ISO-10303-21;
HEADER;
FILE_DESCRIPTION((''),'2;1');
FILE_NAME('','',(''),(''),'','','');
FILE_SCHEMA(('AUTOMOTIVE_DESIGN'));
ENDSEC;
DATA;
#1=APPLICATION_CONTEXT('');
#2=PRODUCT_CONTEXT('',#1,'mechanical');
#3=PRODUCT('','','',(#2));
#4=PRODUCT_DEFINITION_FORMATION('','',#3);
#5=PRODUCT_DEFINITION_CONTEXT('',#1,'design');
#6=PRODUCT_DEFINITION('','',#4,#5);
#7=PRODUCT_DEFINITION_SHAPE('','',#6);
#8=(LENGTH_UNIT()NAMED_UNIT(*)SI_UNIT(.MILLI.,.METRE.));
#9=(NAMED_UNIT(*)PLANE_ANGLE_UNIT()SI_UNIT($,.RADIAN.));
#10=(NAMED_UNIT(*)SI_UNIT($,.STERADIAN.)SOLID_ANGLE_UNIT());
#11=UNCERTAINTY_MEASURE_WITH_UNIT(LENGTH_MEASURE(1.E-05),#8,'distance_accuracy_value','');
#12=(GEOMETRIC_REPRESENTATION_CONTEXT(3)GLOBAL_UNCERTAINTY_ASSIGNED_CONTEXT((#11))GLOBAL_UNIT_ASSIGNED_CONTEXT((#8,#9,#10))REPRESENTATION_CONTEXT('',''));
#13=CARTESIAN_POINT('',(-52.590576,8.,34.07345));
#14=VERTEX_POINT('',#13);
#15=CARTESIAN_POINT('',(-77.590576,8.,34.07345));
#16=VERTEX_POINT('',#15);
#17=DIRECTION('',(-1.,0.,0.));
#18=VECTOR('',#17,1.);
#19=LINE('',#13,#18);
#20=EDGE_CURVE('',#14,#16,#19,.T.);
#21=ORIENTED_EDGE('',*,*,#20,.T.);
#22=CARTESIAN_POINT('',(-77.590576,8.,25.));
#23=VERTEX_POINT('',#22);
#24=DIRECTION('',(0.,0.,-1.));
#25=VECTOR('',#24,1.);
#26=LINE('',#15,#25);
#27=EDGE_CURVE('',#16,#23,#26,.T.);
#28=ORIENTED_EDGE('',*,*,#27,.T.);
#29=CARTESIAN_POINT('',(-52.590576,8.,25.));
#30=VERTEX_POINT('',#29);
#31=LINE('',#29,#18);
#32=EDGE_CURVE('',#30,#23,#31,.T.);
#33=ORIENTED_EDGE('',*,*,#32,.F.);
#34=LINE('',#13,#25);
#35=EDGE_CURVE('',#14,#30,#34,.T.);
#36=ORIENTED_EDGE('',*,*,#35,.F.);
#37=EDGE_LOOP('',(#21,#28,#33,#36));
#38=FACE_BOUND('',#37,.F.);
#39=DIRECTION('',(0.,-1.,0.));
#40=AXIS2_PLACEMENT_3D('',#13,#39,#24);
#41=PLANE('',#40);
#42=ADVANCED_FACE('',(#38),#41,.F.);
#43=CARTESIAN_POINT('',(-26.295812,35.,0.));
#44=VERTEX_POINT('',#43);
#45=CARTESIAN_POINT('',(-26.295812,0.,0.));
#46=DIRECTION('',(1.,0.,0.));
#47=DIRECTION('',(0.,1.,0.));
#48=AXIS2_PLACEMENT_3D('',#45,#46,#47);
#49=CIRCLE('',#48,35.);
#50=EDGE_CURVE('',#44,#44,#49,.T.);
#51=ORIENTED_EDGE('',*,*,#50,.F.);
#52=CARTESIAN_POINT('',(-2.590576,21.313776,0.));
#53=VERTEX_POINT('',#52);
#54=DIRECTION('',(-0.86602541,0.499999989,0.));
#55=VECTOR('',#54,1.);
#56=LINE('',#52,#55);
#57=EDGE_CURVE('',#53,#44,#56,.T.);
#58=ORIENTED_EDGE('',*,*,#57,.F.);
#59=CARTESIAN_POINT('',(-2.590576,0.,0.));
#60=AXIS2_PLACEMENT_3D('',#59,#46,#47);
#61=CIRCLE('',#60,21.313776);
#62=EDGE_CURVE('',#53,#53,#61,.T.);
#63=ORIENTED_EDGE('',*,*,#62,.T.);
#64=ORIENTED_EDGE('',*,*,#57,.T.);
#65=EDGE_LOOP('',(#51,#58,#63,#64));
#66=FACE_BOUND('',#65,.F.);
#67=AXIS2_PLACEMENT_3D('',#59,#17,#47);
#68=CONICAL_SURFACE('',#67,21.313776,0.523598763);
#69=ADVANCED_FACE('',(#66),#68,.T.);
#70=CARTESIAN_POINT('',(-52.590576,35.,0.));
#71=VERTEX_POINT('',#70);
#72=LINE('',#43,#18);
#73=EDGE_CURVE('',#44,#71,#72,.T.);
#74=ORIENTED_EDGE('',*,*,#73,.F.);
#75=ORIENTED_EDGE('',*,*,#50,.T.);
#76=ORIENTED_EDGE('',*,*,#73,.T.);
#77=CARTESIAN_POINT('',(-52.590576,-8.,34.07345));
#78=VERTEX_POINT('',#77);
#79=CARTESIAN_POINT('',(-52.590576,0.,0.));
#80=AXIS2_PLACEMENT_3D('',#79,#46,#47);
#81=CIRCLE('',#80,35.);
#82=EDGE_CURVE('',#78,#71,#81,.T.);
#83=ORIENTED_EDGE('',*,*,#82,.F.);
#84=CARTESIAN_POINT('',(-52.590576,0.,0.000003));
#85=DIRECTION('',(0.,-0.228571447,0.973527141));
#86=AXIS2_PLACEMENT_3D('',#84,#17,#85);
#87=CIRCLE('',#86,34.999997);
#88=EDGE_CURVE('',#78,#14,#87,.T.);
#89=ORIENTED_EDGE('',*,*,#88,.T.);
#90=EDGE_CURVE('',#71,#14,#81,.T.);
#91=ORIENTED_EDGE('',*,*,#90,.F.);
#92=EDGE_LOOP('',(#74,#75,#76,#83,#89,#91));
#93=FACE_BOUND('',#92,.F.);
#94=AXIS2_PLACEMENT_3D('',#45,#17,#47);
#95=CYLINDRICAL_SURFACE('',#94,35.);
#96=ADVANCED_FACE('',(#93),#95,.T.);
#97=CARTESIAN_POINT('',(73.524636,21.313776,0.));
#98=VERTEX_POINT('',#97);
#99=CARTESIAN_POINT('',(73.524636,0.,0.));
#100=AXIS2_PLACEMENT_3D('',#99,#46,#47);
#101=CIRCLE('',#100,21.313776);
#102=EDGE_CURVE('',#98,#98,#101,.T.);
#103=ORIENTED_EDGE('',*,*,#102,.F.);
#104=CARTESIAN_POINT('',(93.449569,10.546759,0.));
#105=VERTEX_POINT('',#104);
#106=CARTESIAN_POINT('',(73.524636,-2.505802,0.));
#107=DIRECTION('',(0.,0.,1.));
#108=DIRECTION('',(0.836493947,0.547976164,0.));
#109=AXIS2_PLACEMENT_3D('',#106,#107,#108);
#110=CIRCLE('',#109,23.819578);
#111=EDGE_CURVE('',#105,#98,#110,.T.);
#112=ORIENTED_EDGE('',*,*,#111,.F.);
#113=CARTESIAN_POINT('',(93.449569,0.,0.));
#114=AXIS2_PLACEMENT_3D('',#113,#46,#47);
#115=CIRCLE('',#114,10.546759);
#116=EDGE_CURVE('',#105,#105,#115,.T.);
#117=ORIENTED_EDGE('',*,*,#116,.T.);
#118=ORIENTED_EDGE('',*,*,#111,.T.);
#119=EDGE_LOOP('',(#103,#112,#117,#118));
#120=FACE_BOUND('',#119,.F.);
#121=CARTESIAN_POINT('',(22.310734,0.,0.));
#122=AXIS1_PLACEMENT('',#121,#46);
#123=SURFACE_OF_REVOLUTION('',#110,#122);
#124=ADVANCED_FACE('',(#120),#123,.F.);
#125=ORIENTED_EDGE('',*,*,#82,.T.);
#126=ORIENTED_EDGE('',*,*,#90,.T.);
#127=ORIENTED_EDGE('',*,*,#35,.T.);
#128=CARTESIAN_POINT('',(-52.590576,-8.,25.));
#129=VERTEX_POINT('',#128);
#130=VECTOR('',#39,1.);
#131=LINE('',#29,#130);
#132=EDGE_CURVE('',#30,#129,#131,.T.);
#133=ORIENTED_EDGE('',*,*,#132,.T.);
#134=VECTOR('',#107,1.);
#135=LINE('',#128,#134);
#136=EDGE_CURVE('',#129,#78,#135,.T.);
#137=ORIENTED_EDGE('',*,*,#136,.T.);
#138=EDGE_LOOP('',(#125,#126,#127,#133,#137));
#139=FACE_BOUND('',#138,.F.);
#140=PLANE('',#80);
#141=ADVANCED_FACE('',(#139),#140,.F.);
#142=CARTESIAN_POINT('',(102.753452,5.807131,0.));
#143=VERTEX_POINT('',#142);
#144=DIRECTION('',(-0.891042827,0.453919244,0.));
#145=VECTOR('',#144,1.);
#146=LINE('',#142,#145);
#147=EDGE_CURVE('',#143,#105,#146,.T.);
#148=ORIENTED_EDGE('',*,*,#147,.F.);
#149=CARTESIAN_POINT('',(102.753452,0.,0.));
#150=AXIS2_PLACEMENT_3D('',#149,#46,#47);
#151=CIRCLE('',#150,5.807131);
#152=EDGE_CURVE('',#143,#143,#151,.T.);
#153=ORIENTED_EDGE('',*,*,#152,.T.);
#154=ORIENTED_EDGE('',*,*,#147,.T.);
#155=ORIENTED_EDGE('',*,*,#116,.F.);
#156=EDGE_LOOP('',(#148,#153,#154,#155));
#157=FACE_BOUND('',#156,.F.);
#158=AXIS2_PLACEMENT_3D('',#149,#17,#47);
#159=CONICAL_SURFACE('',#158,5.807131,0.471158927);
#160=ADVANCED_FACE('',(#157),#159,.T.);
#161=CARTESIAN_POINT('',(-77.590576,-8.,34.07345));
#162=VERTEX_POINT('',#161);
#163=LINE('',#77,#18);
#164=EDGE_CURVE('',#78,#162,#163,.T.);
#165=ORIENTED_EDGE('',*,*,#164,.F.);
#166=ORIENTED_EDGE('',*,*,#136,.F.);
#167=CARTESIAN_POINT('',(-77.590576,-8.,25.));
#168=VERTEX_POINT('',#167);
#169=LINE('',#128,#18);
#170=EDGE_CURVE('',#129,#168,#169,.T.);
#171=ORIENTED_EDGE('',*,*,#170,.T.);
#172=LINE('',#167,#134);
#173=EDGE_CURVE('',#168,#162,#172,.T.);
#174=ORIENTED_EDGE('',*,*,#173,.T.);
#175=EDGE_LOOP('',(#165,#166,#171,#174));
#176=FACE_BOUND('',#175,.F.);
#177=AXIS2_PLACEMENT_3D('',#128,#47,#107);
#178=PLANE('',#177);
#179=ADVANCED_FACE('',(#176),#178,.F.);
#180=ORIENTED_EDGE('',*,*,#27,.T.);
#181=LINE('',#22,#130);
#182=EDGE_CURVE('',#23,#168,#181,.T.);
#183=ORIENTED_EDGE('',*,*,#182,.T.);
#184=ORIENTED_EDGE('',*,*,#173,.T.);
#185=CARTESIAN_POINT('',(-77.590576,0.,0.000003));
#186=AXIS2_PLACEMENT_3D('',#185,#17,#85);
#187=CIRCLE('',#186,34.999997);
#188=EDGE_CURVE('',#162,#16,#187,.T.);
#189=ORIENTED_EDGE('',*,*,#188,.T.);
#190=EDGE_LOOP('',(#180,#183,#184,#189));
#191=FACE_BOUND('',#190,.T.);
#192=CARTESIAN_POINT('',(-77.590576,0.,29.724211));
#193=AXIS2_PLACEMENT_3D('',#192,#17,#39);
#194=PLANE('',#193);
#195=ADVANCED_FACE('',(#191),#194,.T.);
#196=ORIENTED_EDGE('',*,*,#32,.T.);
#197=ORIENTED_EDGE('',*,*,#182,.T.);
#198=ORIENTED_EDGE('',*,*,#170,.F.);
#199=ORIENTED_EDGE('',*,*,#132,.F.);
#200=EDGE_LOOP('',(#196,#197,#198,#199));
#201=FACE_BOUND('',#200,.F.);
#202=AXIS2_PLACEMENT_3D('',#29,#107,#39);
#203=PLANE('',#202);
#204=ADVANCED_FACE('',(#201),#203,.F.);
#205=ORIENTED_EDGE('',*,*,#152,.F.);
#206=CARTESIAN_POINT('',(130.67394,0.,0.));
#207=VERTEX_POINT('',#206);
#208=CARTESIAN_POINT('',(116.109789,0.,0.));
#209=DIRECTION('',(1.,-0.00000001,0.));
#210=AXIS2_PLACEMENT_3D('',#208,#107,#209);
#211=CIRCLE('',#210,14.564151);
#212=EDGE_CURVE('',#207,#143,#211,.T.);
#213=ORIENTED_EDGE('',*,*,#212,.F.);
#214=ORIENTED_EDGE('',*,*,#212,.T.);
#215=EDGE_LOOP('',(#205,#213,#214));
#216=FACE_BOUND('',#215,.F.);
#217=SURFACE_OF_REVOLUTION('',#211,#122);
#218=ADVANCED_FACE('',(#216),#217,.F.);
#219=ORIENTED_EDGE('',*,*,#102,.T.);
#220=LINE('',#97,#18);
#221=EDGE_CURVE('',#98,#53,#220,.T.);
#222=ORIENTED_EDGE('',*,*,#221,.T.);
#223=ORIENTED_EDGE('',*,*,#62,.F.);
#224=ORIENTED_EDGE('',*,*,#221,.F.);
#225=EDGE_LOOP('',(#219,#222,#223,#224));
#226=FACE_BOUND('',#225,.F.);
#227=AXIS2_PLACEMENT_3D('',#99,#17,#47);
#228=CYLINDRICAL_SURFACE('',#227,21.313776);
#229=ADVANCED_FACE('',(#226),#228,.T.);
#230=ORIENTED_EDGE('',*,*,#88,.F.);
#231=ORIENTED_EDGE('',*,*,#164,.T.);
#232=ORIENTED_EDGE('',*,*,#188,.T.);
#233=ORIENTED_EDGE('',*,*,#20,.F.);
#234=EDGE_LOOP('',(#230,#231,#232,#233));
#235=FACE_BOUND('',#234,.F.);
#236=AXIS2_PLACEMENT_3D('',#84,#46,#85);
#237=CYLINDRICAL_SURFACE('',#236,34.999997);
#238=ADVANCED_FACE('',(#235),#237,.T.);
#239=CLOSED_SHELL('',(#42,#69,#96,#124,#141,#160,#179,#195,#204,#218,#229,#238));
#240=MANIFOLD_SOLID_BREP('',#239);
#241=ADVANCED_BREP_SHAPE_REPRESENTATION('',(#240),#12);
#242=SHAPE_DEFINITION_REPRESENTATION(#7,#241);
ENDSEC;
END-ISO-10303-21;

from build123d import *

# Parameters (mm, degrees)
F3_DEPTH = 25


with BuildPart() as f1:
    # F0 (on Top) → F1 (revolve)
    with BuildSketch(Plane.XY):
        with BuildLine():
            Line((-52.590576, 35), (-52.590576, 0))
            Line((-52.590576, 0), (97.212044, 0))
            Line((97.212044, 0), (130.67394, 0))
            ThreePointArc((130.67394, 0), (119.075492, 14.259001), (102.753452, 5.807131))
            Line((102.753452, 5.807131), (93.449569, 10.546759))
            ThreePointArc((93.449569, 10.546759), (84.848633, 18.449851), (73.524636, 21.313776))
            Line((73.524636, 21.313776), (-2.590576, 21.313776))
            Line((-2.590576, 21.313776), (-26.295812, 35))
            Line((-26.295812, 35), (-52.590576, 35))
        make_face()
    revolve(axis=Axis((22.310734, 0, 0), (1, 0, 0)))

    # F2 (on face) → F3 (join)
    with BuildSketch(Plane(origin=(-52.590576, 0, 0), x_dir=(0, -1, 0), z_dir=(-1, 0, 0))):
        with BuildLine():
            ThreePointArc((8, 34.07345), (0, 35), (-8, 34.07345))
            Line((-8, 34.07345), (-8, 25))
            Line((-8, 25), (8, 25))
            Line((8, 25), (8, 34.07345))
        make_face()
    extrude(amount=F3_DEPTH)


solid = f1.part
